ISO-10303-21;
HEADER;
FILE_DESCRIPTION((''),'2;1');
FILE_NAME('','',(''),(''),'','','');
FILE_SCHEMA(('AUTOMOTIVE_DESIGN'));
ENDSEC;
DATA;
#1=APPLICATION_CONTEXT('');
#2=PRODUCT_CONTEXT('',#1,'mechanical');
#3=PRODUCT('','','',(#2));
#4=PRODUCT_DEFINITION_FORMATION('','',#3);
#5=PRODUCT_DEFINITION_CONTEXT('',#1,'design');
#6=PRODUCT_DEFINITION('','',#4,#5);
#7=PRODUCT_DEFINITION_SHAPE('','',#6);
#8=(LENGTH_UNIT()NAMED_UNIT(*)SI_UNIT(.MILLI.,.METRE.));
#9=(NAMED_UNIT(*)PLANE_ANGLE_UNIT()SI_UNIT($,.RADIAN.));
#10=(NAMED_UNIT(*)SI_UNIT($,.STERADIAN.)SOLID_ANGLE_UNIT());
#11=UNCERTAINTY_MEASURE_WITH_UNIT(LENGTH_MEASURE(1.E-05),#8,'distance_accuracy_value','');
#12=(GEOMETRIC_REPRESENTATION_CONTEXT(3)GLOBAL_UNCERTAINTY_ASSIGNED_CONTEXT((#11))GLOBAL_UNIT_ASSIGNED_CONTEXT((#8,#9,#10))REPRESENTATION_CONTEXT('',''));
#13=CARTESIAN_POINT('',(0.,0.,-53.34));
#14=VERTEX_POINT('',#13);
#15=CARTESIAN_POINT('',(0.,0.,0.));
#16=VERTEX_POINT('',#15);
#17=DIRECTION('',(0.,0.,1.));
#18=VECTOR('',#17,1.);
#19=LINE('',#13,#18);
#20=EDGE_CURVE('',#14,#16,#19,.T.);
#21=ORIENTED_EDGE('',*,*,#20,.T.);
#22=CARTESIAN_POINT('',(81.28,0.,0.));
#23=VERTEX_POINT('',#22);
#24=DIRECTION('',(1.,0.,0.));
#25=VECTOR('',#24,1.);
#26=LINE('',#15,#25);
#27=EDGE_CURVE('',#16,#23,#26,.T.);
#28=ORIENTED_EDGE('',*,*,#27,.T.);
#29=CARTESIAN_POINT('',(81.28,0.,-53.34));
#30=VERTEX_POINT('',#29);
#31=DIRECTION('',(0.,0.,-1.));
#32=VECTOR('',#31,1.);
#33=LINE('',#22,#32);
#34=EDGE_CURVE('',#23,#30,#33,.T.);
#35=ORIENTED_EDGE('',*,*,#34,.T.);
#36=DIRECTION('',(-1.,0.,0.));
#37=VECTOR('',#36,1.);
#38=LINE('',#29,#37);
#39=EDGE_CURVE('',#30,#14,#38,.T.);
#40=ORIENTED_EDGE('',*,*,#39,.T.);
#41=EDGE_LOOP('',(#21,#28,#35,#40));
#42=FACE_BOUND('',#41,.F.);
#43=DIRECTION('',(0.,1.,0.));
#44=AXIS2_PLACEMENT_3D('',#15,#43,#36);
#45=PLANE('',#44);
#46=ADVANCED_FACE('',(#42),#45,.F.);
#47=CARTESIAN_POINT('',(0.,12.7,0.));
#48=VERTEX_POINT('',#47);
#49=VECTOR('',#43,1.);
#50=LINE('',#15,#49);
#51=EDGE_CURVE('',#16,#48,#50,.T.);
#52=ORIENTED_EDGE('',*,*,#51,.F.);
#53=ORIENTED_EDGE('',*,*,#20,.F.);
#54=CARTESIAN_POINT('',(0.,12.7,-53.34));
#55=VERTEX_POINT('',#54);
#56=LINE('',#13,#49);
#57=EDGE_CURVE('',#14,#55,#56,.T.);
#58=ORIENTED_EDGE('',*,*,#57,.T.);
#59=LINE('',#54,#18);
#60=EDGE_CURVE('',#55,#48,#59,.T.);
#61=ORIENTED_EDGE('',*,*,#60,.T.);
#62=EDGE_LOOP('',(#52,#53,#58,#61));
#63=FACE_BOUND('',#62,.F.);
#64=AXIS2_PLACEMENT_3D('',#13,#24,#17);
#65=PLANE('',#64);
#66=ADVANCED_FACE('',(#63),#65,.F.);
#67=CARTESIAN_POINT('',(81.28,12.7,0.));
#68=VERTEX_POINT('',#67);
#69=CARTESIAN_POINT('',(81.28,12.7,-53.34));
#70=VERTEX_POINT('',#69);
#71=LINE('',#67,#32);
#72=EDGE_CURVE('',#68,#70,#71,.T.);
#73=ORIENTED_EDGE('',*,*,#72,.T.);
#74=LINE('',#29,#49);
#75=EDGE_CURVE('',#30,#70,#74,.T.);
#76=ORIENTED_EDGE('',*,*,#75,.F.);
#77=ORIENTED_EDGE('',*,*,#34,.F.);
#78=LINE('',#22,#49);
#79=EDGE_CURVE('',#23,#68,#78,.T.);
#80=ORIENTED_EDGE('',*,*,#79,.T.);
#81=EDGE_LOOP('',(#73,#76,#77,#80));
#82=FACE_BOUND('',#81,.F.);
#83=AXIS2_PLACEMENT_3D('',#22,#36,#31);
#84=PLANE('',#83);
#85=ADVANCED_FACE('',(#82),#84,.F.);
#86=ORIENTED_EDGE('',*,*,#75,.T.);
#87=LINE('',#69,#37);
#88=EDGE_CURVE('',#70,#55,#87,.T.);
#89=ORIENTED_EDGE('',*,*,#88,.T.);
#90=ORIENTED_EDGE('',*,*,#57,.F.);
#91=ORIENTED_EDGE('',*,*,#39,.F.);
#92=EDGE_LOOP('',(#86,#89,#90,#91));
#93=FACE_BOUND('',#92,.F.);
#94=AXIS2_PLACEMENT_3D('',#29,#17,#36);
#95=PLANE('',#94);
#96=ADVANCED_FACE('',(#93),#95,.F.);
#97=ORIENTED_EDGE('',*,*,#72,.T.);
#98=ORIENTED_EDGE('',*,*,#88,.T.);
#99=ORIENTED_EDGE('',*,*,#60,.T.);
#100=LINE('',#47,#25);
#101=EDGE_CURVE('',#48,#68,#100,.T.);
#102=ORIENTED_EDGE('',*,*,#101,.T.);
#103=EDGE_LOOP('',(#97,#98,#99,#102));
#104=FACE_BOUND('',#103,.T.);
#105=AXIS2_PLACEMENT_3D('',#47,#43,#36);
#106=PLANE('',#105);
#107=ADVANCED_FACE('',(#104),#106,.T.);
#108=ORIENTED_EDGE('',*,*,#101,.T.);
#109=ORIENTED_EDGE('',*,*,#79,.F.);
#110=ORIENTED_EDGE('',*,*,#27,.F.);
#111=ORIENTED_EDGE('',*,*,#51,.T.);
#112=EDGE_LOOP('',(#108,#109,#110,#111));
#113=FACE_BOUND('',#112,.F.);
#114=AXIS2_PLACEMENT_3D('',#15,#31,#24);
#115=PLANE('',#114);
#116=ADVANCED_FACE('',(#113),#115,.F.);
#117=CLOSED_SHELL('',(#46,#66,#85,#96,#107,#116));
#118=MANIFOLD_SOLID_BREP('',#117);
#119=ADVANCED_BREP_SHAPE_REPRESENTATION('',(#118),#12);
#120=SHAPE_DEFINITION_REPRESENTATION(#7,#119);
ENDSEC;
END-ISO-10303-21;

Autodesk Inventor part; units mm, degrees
ref_plane "YZ Plane" through (0, 0, 0) normal (1, 0, 0) x (0, 1, 0)
ref_plane "XZ Plane" through (0, 0, 0) normal (0, 1, 0) x (-1, 0, 0)
ref_plane "XY Plane" through (0, 0, 0) normal (0, 0, 1) x (1, 0, 0)
sketch "Sketch1" plane through (0, 0, 0) normal (0, 1, 0) x (-1, 0, 0)
  line L0 (0, 0) -> (-81.28, 0)
  line L1 (-81.28, 0) -> (-81.28, -53.34)
  line L2 (-81.28, -53.34) -> (0, -53.34)
  line L3 (0, -53.34) -> (0, 0)
  dimension "d0" = 81.28
  dimension "d1" = 53.34
extrude "Extrusion1" add sketch "Sketch1" along normal blind 12.7
sketch "Sketch2" plane through (0, 12.7, 0) normal (0, 1, 0) x (1, 0, 0)
  line L0 (10.2876, 43.9262) -> (61.9475, 43.9262) construction
  line L1 (61.9475, 43.9262) -> (61.9475, 11.4305) construction
  line L2 (61.9475, 11.4305) -> (10.2876, 11.4305) construction
  line L3 (10.2876, 11.4305) -> (10.2876, 43.9262) construction
  point P0 (0, 0)
properties part number "Arduino"
